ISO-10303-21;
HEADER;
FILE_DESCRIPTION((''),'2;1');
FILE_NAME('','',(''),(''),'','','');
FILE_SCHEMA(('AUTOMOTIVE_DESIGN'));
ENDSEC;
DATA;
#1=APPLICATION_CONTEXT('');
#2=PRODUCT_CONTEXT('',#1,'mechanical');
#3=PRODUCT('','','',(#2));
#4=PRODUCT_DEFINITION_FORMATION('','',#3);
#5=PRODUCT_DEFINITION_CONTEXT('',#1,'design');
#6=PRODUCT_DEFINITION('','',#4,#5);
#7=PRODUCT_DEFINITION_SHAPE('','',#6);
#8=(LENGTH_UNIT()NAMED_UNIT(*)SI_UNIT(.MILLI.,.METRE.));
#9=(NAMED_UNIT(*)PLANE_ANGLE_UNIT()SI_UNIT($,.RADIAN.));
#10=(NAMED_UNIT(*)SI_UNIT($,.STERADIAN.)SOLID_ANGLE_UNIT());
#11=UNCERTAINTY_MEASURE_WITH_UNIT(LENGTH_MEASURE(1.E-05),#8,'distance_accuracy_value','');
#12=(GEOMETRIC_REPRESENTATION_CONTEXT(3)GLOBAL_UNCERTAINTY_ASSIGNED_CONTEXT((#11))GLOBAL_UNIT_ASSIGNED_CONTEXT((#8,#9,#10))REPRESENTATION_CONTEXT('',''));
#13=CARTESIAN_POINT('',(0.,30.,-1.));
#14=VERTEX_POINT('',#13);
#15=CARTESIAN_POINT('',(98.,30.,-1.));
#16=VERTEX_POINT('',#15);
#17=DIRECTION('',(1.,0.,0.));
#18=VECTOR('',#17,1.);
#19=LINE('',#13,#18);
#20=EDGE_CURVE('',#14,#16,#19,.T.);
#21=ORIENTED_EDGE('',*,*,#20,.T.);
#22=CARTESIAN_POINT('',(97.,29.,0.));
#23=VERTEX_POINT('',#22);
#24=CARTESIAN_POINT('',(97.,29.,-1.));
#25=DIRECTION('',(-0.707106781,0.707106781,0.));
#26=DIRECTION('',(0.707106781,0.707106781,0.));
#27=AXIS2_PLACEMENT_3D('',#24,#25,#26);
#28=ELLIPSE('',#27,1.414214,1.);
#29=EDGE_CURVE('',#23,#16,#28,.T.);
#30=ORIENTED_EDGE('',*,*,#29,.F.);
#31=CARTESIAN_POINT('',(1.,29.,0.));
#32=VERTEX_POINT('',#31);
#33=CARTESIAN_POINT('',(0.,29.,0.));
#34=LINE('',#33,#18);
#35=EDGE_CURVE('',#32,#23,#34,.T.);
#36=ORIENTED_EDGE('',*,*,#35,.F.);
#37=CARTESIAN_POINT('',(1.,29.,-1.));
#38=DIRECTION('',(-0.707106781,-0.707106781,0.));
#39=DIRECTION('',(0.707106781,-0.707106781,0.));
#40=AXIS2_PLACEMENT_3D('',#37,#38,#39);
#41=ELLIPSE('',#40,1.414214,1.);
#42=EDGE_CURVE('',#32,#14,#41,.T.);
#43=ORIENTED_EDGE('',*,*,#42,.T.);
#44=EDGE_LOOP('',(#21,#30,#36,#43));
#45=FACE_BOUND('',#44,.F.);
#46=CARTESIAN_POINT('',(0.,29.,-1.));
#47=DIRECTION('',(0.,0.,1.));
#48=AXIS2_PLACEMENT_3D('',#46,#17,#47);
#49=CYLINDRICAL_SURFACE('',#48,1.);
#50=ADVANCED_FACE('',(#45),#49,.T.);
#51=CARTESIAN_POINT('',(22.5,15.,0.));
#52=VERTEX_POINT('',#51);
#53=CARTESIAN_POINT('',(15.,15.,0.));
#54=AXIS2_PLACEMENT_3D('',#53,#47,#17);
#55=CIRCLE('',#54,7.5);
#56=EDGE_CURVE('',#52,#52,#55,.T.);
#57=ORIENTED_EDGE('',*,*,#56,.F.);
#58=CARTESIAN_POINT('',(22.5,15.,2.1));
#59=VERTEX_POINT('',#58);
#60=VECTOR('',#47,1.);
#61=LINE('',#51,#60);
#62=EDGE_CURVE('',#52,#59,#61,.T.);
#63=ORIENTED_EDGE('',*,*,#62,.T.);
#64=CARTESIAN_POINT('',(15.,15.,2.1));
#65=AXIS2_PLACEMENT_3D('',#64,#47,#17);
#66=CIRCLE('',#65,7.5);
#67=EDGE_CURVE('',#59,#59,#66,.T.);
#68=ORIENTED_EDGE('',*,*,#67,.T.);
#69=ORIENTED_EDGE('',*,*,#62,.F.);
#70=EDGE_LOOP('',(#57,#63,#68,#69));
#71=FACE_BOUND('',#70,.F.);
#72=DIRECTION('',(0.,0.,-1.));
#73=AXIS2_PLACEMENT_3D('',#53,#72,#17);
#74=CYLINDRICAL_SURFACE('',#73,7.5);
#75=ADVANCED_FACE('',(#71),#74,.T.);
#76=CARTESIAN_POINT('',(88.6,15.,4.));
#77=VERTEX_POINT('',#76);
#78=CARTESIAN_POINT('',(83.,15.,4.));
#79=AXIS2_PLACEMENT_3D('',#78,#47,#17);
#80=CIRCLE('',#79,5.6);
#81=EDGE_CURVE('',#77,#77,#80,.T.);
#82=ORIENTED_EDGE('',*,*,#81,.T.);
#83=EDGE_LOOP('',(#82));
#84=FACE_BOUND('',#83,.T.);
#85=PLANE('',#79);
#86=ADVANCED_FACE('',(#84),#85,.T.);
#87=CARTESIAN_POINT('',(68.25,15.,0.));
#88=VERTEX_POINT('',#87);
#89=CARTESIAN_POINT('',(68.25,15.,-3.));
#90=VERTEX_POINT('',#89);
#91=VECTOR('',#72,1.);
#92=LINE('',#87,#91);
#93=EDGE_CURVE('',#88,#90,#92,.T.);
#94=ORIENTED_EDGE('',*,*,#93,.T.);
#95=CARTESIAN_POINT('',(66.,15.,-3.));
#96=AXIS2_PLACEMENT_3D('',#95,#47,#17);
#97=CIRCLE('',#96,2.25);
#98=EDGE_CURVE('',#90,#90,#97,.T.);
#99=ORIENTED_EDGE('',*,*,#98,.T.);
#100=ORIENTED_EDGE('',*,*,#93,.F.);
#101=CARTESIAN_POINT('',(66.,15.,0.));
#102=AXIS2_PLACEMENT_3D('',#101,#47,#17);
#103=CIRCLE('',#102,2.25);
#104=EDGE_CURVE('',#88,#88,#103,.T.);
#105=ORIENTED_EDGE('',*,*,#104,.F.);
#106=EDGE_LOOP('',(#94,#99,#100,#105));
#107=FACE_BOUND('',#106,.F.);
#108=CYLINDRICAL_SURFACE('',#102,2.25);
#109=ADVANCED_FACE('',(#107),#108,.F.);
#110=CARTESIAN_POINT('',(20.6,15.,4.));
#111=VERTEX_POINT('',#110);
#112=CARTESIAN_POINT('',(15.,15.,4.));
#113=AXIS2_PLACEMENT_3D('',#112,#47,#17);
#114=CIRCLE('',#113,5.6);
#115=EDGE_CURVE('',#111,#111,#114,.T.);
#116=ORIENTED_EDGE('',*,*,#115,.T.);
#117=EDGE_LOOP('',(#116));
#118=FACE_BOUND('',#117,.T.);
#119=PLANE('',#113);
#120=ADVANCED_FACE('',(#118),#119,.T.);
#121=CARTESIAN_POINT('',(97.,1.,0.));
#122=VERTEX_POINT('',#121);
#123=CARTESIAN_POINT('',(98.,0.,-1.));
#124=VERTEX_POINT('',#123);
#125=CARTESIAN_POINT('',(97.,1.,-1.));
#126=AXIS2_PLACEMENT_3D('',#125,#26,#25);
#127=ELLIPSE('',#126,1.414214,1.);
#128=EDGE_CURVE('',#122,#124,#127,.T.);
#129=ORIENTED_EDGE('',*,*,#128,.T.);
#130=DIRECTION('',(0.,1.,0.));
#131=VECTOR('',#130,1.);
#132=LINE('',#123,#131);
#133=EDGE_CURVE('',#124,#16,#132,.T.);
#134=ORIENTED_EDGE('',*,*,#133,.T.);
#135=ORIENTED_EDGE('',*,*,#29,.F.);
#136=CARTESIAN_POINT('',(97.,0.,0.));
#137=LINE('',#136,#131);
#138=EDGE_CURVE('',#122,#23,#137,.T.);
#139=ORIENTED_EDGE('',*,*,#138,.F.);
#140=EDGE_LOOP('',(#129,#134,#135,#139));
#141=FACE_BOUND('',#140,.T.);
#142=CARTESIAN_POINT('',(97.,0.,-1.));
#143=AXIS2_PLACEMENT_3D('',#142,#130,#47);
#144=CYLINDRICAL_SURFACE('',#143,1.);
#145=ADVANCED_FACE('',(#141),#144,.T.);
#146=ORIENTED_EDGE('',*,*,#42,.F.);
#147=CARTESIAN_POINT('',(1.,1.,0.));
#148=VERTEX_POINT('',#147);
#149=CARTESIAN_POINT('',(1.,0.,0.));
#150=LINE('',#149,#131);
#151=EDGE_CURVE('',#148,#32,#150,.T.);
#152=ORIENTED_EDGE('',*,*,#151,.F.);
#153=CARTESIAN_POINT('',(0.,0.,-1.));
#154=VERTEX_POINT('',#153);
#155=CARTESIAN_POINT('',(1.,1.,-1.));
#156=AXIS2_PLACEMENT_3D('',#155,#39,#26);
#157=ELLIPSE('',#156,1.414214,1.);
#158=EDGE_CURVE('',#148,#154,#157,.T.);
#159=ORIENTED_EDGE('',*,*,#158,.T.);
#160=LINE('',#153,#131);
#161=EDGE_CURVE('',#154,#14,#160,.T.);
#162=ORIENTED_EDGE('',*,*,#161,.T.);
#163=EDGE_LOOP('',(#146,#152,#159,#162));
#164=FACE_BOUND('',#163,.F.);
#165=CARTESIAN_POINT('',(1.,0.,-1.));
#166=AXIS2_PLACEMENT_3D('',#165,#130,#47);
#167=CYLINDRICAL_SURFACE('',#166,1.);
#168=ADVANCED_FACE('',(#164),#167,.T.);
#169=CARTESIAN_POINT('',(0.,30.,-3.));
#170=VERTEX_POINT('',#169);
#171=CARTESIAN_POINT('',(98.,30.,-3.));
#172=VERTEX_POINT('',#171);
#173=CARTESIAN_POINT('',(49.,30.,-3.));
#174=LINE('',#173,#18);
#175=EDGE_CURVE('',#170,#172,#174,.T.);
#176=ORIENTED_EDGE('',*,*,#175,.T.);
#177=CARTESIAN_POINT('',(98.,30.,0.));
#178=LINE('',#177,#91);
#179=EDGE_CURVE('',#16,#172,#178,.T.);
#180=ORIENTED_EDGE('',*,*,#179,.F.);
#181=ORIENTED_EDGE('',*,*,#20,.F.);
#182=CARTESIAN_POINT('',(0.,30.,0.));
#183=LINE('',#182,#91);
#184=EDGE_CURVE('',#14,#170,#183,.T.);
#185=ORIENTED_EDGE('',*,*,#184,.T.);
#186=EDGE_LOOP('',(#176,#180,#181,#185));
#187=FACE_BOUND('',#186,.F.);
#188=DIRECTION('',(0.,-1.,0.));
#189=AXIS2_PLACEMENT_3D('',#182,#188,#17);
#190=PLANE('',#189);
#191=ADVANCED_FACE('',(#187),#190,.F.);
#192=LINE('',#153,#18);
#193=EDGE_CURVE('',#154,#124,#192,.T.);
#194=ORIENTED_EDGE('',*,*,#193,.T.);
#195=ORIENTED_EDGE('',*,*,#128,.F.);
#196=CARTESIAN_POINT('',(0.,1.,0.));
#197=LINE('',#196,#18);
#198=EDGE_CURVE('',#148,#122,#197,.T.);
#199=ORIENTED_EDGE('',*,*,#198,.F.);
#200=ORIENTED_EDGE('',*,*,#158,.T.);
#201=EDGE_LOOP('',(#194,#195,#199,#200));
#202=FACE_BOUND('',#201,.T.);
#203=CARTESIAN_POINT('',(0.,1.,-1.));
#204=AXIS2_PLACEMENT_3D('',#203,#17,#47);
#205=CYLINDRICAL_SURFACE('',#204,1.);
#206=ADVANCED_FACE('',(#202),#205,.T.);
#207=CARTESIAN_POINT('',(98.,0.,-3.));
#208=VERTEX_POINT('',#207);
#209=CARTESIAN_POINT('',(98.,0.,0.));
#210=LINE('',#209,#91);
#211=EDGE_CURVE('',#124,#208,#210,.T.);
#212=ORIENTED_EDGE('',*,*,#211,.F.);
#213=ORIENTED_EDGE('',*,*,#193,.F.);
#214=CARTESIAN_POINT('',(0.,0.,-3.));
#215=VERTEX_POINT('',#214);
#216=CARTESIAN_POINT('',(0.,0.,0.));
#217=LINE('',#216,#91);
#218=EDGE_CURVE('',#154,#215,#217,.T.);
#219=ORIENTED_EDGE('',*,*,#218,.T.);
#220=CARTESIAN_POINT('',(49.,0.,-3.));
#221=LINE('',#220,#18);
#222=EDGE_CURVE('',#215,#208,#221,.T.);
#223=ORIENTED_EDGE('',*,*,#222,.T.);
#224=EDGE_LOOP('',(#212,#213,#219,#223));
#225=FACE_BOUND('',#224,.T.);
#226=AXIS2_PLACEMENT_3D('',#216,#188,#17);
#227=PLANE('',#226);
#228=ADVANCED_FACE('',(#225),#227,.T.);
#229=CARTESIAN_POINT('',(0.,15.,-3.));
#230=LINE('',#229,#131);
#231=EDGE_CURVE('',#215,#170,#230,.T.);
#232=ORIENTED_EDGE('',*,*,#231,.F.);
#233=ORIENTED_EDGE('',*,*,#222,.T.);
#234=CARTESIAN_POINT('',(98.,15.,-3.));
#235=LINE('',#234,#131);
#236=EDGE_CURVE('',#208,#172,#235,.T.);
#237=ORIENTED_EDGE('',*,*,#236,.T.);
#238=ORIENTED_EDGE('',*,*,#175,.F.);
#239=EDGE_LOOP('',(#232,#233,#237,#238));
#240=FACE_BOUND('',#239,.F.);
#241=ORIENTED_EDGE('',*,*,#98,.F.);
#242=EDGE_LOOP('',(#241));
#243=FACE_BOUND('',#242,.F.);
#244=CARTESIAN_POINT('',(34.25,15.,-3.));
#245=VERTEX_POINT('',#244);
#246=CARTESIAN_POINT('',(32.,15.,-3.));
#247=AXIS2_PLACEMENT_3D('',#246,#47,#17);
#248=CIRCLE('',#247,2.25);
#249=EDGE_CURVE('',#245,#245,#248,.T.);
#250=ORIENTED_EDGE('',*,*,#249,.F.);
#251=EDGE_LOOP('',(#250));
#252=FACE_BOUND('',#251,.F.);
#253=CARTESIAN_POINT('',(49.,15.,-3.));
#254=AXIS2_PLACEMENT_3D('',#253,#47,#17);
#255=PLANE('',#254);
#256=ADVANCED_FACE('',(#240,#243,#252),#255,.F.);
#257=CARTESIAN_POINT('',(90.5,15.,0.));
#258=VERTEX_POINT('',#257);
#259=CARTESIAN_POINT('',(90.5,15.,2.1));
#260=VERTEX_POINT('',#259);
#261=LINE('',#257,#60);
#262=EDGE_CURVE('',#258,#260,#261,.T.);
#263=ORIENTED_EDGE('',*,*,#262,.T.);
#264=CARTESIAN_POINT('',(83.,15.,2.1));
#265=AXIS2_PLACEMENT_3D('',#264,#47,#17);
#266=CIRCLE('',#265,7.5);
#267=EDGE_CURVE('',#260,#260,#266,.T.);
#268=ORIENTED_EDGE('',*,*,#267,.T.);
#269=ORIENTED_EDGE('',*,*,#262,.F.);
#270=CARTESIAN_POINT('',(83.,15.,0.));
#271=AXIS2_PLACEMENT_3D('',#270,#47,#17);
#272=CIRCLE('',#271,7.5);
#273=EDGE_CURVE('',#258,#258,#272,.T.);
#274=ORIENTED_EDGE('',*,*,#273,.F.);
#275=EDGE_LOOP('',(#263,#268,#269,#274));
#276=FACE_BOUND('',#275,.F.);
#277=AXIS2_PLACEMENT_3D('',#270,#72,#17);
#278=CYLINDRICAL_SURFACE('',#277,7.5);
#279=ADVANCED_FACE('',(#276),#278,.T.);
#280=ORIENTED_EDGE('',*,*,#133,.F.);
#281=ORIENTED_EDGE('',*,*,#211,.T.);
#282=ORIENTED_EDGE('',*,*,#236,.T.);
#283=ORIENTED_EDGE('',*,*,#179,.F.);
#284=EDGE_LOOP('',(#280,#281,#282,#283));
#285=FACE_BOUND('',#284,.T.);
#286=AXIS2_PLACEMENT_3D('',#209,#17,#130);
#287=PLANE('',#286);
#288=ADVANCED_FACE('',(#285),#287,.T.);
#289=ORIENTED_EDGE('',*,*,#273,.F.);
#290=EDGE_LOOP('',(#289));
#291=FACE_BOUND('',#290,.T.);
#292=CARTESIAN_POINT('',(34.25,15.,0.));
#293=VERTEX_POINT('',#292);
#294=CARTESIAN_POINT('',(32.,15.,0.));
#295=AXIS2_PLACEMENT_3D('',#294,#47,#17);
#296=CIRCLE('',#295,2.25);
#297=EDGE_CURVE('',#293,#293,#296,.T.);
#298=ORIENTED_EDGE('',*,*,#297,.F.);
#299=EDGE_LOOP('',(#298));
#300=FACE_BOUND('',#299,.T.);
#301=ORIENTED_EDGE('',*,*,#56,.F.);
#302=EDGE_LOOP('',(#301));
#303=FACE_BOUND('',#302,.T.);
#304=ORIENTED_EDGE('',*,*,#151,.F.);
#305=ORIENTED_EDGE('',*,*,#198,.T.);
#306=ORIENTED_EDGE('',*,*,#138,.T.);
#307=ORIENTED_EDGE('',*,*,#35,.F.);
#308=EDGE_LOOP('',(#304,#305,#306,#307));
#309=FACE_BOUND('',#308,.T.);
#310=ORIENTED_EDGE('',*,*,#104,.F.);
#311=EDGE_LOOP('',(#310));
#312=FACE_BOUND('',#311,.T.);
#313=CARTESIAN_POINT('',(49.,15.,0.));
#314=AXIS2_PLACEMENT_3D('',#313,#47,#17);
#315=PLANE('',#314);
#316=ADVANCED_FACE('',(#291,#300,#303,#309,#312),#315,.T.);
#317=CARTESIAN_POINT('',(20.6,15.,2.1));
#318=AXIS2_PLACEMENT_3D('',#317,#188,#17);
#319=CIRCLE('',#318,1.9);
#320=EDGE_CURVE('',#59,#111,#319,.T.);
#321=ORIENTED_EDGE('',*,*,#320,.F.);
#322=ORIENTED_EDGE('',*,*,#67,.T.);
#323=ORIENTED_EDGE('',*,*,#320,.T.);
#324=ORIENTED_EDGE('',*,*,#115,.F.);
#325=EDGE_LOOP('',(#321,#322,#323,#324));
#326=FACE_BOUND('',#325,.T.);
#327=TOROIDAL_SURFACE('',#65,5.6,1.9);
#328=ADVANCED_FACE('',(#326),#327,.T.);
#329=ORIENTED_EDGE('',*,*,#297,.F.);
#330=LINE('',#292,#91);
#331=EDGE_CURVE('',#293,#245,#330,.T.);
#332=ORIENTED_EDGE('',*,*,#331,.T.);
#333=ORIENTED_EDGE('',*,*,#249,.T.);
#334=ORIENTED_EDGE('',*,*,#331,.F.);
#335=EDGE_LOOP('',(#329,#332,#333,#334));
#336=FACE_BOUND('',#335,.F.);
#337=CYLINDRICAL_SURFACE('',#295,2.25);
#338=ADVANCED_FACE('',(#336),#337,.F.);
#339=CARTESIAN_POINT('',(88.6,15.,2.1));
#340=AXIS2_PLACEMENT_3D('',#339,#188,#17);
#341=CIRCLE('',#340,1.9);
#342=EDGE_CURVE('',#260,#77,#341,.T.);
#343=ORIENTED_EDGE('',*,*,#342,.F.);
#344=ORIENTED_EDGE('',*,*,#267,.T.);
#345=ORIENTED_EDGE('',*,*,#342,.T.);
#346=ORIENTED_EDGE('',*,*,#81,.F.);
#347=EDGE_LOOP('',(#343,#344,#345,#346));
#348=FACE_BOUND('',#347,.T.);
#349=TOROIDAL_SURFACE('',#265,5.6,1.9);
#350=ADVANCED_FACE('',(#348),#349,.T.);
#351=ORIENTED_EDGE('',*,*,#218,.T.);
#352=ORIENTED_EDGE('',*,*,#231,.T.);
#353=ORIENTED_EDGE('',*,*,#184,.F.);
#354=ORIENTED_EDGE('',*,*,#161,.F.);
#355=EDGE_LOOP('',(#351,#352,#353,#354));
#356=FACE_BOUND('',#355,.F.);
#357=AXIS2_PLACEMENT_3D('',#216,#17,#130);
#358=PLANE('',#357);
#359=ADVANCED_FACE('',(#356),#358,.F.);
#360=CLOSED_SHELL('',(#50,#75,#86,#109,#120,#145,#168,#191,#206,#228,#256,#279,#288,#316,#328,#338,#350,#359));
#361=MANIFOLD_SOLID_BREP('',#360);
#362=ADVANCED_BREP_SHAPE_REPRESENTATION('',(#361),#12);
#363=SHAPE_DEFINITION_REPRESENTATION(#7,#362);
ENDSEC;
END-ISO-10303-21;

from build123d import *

# Parameters (mm, degrees)
F0_W     = 98
F0_H     = 30
F0_R     = 7.5
F0_R_2   = 2.25
F1_DEPTH = 3
F2_DEPTH = 4
F3_R     = 1.9
F4_R     = 1


with BuildPart() as f1:
    # F0 (on Top) → F1 (new body)
    with BuildSketch(Plane.XY):
        with Locations((49, 15)):
            Rectangle(F0_W, F0_H)
        with Locations((15, 15)):
            Circle(F0_R, mode=Mode.SUBTRACT)
        with Locations((32, 15)):
            Circle(F0_R_2, mode=Mode.SUBTRACT)
        with Locations((66, 15)):
            Circle(F0_R_2, mode=Mode.SUBTRACT)
        with Locations((83, 15)):
            Circle(F0_R, mode=Mode.SUBTRACT)
        with Locations((83, 15)):
            Circle(F0_R)
        with Locations((15, 15)):
            Circle(F0_R)
    extrude(amount=-F1_DEPTH)

    # F0 (on Top) → F2 (join)
    with BuildSketch(Plane.XY):
        with Locations((15, 15)):
            Circle(F0_R)
        with Locations((83, 15)):
            Circle(F0_R)
    extrude(amount=F2_DEPTH)

    # F3
    f3_edges = [f1.edges().sort_by_distance(p)[0] for p in [
        (7.5, 15, 4),
        (75.5, 15, 4),
    ]]
    fillet(f3_edges, radius=F3_R)

    # F4
    f4_edges = [f1.edges().sort_by_distance(p)[0] for p in [
        (49, 30, 0),
        (0, 15, 0),
        (98, 15, 0),
        (49, 0, 0),
    ]]
    fillet(f4_edges, radius=F4_R)


solid = f1.part
